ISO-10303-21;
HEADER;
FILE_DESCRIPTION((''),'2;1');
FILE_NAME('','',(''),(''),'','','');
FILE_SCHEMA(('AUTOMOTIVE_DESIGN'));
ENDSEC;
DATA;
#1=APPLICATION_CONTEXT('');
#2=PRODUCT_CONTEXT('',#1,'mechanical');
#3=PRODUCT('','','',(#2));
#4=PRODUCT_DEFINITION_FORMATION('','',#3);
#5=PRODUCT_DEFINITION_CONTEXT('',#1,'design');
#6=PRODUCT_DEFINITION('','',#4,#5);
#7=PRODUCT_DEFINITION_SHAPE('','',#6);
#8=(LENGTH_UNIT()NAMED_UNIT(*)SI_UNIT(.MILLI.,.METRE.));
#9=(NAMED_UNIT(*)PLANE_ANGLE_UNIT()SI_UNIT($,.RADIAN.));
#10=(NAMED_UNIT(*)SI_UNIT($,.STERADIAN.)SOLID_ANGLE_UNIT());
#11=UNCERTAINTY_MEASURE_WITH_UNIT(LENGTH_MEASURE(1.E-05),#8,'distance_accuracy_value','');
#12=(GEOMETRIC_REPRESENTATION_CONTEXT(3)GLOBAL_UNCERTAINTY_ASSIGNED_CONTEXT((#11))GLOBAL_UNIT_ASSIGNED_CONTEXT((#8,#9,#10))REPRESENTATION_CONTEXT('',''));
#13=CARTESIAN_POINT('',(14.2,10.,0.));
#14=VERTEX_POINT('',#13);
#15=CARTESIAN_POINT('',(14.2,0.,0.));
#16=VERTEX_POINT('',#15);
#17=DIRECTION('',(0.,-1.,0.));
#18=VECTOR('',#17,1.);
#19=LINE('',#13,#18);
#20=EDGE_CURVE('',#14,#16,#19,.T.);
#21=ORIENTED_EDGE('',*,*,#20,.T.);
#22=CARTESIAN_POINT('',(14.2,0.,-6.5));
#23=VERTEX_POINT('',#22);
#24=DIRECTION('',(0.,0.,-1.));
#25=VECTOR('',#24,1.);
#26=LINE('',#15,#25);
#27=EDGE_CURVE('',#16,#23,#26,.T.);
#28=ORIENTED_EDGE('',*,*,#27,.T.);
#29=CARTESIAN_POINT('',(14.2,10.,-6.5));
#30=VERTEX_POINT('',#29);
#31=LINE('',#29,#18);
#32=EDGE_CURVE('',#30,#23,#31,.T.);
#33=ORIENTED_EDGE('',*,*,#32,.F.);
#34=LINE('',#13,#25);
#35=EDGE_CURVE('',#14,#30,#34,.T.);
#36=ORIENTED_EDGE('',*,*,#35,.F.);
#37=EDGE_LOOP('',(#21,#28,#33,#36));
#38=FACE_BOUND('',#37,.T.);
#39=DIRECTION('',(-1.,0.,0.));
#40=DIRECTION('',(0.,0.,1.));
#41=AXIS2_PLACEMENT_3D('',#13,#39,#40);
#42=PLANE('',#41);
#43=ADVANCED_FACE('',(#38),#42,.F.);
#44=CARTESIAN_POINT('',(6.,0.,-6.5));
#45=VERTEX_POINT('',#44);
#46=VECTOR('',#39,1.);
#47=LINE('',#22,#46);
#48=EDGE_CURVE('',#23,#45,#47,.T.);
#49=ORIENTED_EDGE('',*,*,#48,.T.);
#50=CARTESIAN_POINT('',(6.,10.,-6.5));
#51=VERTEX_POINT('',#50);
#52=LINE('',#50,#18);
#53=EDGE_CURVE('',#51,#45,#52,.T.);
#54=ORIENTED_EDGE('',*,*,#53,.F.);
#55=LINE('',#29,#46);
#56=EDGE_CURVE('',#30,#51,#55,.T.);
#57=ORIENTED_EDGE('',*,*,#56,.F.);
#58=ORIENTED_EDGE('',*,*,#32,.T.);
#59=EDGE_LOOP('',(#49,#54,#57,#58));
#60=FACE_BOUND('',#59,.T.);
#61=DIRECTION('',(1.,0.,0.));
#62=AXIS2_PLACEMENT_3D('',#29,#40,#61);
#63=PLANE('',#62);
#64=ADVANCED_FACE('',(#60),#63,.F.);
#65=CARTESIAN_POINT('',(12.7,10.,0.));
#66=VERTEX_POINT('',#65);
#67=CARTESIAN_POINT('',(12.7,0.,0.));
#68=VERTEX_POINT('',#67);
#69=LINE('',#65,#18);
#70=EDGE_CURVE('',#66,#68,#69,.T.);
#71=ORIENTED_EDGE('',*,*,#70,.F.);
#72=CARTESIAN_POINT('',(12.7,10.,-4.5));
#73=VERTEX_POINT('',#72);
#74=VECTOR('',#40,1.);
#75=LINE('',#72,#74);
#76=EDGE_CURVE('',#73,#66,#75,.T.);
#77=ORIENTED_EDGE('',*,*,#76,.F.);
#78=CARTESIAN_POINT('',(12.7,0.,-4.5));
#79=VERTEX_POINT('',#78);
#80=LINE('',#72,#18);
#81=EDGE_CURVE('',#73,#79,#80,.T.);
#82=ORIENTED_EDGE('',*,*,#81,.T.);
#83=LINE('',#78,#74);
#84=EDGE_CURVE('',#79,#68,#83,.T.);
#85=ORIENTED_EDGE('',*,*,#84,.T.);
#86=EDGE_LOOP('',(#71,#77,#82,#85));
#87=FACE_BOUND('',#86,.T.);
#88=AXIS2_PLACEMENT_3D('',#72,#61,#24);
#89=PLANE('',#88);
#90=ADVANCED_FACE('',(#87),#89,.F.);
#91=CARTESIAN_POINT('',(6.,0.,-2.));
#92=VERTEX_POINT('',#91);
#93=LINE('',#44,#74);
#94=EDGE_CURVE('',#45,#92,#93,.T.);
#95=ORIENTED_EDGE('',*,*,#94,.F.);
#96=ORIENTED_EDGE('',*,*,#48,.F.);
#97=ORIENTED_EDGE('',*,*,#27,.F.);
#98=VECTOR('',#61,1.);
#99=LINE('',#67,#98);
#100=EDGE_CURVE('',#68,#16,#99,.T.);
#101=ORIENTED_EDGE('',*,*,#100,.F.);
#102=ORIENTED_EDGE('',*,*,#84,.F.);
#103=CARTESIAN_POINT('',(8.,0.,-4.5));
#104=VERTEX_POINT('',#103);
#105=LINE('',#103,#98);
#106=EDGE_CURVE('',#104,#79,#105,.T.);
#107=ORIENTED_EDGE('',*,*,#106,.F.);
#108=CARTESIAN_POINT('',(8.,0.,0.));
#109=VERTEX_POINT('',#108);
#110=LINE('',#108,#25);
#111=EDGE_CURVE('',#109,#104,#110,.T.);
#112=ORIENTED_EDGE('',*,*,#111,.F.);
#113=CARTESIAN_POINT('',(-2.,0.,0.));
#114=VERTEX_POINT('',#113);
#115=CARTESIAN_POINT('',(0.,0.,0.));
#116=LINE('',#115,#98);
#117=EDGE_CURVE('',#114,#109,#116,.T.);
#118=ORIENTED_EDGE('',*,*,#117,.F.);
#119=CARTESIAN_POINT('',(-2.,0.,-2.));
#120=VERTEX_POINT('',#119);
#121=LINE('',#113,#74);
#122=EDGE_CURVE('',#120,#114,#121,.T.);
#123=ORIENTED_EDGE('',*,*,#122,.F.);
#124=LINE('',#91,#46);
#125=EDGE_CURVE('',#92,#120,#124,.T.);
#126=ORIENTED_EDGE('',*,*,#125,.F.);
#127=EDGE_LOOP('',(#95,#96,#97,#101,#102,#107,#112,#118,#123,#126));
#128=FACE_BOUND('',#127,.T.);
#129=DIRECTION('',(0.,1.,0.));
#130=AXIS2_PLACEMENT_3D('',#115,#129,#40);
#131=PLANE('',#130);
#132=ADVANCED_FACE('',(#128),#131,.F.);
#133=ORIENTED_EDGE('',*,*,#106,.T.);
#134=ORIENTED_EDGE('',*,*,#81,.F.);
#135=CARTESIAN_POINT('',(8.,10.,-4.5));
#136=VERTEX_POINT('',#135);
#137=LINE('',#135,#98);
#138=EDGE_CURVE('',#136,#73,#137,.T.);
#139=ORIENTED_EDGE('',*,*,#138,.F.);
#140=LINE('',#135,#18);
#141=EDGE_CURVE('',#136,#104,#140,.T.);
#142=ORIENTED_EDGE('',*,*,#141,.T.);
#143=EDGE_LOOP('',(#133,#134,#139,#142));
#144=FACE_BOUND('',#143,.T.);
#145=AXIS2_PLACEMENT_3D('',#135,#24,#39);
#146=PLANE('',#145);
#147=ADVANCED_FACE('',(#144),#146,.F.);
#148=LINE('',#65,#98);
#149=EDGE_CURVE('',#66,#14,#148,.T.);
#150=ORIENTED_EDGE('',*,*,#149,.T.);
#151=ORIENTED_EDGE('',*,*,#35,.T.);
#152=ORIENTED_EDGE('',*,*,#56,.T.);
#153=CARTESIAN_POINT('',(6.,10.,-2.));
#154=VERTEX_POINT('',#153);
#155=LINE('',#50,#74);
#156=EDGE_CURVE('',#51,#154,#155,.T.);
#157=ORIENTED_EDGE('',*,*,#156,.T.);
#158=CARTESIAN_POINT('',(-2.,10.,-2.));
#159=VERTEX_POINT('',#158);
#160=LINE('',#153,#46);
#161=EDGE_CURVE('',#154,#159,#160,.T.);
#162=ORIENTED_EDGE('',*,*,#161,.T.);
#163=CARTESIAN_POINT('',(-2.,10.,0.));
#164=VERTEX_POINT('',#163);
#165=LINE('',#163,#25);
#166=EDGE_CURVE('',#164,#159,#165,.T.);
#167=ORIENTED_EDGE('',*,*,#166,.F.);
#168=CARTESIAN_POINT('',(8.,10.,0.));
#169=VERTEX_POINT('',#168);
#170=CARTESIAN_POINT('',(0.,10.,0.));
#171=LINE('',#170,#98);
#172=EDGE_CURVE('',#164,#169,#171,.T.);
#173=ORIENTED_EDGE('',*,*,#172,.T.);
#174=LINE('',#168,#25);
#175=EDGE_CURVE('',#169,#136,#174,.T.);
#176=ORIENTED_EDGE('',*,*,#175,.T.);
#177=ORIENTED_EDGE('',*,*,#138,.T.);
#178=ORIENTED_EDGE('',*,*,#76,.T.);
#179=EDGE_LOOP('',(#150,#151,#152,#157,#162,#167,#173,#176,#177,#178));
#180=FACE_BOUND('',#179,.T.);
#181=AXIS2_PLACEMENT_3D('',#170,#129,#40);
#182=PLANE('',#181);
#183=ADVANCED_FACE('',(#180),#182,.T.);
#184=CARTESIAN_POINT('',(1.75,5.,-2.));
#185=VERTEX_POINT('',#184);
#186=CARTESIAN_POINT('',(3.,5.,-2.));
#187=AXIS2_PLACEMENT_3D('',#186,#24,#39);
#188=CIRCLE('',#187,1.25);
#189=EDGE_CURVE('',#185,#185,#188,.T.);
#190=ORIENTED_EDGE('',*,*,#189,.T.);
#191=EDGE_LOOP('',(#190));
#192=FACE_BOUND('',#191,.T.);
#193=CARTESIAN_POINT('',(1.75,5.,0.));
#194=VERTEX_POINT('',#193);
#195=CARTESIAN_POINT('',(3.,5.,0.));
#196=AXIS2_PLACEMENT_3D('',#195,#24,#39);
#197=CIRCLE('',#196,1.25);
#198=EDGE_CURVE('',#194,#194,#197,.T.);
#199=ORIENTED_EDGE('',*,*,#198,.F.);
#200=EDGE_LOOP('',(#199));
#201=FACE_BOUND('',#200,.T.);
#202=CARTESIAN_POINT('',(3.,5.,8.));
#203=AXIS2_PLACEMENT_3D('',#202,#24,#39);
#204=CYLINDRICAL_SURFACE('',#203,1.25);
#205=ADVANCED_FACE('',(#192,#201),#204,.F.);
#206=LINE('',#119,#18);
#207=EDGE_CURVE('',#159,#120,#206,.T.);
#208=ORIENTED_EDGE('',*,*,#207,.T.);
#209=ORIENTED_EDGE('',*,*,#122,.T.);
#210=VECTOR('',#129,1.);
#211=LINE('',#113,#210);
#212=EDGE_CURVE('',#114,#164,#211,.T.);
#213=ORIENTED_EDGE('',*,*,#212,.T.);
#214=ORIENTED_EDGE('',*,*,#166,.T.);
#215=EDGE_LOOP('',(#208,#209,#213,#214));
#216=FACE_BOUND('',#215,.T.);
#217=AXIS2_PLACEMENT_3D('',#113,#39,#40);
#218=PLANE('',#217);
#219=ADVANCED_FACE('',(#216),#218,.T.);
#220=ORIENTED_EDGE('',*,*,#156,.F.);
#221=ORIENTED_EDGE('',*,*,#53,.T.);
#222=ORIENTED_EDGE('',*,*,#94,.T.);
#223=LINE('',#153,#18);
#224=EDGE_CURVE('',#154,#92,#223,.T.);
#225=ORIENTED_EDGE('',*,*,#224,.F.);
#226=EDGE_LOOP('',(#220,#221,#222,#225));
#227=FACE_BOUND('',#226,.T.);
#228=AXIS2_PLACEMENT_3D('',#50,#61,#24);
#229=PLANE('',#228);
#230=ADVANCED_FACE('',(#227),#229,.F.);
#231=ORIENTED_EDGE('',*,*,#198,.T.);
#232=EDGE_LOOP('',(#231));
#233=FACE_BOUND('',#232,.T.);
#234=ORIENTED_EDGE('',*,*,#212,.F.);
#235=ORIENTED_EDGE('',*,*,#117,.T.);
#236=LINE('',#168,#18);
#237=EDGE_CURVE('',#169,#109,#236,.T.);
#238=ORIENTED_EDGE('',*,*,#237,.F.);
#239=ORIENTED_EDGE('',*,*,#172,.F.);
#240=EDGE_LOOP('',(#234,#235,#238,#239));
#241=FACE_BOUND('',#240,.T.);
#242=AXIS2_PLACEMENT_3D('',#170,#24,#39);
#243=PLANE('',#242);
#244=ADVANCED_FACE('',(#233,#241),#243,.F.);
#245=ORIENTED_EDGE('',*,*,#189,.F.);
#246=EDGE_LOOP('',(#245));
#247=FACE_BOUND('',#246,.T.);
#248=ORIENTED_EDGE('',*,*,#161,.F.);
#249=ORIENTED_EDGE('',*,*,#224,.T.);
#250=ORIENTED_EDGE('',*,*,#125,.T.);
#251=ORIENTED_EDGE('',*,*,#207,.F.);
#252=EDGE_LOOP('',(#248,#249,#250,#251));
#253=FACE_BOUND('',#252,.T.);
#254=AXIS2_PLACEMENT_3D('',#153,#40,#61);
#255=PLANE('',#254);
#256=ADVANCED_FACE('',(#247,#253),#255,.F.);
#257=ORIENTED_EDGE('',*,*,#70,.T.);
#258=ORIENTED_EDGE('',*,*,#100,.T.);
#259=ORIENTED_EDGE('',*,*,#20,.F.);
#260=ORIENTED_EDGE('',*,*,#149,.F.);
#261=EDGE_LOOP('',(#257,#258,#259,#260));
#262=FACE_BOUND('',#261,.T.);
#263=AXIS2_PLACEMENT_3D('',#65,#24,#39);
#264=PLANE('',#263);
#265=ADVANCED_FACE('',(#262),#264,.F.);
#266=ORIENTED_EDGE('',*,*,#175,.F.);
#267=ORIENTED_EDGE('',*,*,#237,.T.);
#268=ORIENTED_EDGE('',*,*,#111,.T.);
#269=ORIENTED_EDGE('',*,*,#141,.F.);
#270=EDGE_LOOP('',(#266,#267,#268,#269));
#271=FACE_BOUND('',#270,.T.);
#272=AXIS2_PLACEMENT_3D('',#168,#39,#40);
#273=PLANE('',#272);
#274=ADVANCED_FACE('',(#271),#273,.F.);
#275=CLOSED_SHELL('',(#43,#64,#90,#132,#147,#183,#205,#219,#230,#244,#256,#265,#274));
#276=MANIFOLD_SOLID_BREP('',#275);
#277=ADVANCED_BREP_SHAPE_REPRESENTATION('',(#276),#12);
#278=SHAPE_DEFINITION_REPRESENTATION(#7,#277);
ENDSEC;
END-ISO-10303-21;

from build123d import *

# Parameters (mm, degrees)
SALIENTE_EXTRUIR1_DEPTH = 10
CROQUIS2_R              = 1.25
CORTAR_EXTRUIR1_DEPTH   = 10
CROQUIS3_W              = 2
CROQUIS3_H              = 10
SALIENTE_EXTRUIR2_DEPTH = 2


with BuildPart() as part:
    # Croquis1 → Saliente-Extruir1 (new body)
    with BuildSketch(Plane(origin=(0, 0, 0), x_dir=(1, 0, 0), z_dir=(0, 1, 0))):
        Polygon((0, 0), (8, 0), (8, 4.5), (12.7, 4.5), (12.7, 0), (14.2, 0), (14.2, 6.5), (6, 6.5), (6, 2), (0, 2), align=None)
    extrude(amount=SALIENTE_EXTRUIR1_DEPTH)

    # Croquis2 → Cortar-Extruir1 (cut)
    with BuildSketch(Plane(origin=(0, 0, -2), x_dir=(-1, 0, 0), z_dir=(0, 0, -1))):
        with Locations((-3, 5)):
            Circle(CROQUIS2_R)
    extrude(amount=-CORTAR_EXTRUIR1_DEPTH, mode=Mode.SUBTRACT)

    # Croquis3 → Saliente-Extruir2 (add)
    with BuildSketch(Plane.ZY):
        with Locations((-1, 5)):
            Rectangle(CROQUIS3_W, CROQUIS3_H)
    extrude(amount=SALIENTE_EXTRUIR2_DEPTH)


solid = part.part
